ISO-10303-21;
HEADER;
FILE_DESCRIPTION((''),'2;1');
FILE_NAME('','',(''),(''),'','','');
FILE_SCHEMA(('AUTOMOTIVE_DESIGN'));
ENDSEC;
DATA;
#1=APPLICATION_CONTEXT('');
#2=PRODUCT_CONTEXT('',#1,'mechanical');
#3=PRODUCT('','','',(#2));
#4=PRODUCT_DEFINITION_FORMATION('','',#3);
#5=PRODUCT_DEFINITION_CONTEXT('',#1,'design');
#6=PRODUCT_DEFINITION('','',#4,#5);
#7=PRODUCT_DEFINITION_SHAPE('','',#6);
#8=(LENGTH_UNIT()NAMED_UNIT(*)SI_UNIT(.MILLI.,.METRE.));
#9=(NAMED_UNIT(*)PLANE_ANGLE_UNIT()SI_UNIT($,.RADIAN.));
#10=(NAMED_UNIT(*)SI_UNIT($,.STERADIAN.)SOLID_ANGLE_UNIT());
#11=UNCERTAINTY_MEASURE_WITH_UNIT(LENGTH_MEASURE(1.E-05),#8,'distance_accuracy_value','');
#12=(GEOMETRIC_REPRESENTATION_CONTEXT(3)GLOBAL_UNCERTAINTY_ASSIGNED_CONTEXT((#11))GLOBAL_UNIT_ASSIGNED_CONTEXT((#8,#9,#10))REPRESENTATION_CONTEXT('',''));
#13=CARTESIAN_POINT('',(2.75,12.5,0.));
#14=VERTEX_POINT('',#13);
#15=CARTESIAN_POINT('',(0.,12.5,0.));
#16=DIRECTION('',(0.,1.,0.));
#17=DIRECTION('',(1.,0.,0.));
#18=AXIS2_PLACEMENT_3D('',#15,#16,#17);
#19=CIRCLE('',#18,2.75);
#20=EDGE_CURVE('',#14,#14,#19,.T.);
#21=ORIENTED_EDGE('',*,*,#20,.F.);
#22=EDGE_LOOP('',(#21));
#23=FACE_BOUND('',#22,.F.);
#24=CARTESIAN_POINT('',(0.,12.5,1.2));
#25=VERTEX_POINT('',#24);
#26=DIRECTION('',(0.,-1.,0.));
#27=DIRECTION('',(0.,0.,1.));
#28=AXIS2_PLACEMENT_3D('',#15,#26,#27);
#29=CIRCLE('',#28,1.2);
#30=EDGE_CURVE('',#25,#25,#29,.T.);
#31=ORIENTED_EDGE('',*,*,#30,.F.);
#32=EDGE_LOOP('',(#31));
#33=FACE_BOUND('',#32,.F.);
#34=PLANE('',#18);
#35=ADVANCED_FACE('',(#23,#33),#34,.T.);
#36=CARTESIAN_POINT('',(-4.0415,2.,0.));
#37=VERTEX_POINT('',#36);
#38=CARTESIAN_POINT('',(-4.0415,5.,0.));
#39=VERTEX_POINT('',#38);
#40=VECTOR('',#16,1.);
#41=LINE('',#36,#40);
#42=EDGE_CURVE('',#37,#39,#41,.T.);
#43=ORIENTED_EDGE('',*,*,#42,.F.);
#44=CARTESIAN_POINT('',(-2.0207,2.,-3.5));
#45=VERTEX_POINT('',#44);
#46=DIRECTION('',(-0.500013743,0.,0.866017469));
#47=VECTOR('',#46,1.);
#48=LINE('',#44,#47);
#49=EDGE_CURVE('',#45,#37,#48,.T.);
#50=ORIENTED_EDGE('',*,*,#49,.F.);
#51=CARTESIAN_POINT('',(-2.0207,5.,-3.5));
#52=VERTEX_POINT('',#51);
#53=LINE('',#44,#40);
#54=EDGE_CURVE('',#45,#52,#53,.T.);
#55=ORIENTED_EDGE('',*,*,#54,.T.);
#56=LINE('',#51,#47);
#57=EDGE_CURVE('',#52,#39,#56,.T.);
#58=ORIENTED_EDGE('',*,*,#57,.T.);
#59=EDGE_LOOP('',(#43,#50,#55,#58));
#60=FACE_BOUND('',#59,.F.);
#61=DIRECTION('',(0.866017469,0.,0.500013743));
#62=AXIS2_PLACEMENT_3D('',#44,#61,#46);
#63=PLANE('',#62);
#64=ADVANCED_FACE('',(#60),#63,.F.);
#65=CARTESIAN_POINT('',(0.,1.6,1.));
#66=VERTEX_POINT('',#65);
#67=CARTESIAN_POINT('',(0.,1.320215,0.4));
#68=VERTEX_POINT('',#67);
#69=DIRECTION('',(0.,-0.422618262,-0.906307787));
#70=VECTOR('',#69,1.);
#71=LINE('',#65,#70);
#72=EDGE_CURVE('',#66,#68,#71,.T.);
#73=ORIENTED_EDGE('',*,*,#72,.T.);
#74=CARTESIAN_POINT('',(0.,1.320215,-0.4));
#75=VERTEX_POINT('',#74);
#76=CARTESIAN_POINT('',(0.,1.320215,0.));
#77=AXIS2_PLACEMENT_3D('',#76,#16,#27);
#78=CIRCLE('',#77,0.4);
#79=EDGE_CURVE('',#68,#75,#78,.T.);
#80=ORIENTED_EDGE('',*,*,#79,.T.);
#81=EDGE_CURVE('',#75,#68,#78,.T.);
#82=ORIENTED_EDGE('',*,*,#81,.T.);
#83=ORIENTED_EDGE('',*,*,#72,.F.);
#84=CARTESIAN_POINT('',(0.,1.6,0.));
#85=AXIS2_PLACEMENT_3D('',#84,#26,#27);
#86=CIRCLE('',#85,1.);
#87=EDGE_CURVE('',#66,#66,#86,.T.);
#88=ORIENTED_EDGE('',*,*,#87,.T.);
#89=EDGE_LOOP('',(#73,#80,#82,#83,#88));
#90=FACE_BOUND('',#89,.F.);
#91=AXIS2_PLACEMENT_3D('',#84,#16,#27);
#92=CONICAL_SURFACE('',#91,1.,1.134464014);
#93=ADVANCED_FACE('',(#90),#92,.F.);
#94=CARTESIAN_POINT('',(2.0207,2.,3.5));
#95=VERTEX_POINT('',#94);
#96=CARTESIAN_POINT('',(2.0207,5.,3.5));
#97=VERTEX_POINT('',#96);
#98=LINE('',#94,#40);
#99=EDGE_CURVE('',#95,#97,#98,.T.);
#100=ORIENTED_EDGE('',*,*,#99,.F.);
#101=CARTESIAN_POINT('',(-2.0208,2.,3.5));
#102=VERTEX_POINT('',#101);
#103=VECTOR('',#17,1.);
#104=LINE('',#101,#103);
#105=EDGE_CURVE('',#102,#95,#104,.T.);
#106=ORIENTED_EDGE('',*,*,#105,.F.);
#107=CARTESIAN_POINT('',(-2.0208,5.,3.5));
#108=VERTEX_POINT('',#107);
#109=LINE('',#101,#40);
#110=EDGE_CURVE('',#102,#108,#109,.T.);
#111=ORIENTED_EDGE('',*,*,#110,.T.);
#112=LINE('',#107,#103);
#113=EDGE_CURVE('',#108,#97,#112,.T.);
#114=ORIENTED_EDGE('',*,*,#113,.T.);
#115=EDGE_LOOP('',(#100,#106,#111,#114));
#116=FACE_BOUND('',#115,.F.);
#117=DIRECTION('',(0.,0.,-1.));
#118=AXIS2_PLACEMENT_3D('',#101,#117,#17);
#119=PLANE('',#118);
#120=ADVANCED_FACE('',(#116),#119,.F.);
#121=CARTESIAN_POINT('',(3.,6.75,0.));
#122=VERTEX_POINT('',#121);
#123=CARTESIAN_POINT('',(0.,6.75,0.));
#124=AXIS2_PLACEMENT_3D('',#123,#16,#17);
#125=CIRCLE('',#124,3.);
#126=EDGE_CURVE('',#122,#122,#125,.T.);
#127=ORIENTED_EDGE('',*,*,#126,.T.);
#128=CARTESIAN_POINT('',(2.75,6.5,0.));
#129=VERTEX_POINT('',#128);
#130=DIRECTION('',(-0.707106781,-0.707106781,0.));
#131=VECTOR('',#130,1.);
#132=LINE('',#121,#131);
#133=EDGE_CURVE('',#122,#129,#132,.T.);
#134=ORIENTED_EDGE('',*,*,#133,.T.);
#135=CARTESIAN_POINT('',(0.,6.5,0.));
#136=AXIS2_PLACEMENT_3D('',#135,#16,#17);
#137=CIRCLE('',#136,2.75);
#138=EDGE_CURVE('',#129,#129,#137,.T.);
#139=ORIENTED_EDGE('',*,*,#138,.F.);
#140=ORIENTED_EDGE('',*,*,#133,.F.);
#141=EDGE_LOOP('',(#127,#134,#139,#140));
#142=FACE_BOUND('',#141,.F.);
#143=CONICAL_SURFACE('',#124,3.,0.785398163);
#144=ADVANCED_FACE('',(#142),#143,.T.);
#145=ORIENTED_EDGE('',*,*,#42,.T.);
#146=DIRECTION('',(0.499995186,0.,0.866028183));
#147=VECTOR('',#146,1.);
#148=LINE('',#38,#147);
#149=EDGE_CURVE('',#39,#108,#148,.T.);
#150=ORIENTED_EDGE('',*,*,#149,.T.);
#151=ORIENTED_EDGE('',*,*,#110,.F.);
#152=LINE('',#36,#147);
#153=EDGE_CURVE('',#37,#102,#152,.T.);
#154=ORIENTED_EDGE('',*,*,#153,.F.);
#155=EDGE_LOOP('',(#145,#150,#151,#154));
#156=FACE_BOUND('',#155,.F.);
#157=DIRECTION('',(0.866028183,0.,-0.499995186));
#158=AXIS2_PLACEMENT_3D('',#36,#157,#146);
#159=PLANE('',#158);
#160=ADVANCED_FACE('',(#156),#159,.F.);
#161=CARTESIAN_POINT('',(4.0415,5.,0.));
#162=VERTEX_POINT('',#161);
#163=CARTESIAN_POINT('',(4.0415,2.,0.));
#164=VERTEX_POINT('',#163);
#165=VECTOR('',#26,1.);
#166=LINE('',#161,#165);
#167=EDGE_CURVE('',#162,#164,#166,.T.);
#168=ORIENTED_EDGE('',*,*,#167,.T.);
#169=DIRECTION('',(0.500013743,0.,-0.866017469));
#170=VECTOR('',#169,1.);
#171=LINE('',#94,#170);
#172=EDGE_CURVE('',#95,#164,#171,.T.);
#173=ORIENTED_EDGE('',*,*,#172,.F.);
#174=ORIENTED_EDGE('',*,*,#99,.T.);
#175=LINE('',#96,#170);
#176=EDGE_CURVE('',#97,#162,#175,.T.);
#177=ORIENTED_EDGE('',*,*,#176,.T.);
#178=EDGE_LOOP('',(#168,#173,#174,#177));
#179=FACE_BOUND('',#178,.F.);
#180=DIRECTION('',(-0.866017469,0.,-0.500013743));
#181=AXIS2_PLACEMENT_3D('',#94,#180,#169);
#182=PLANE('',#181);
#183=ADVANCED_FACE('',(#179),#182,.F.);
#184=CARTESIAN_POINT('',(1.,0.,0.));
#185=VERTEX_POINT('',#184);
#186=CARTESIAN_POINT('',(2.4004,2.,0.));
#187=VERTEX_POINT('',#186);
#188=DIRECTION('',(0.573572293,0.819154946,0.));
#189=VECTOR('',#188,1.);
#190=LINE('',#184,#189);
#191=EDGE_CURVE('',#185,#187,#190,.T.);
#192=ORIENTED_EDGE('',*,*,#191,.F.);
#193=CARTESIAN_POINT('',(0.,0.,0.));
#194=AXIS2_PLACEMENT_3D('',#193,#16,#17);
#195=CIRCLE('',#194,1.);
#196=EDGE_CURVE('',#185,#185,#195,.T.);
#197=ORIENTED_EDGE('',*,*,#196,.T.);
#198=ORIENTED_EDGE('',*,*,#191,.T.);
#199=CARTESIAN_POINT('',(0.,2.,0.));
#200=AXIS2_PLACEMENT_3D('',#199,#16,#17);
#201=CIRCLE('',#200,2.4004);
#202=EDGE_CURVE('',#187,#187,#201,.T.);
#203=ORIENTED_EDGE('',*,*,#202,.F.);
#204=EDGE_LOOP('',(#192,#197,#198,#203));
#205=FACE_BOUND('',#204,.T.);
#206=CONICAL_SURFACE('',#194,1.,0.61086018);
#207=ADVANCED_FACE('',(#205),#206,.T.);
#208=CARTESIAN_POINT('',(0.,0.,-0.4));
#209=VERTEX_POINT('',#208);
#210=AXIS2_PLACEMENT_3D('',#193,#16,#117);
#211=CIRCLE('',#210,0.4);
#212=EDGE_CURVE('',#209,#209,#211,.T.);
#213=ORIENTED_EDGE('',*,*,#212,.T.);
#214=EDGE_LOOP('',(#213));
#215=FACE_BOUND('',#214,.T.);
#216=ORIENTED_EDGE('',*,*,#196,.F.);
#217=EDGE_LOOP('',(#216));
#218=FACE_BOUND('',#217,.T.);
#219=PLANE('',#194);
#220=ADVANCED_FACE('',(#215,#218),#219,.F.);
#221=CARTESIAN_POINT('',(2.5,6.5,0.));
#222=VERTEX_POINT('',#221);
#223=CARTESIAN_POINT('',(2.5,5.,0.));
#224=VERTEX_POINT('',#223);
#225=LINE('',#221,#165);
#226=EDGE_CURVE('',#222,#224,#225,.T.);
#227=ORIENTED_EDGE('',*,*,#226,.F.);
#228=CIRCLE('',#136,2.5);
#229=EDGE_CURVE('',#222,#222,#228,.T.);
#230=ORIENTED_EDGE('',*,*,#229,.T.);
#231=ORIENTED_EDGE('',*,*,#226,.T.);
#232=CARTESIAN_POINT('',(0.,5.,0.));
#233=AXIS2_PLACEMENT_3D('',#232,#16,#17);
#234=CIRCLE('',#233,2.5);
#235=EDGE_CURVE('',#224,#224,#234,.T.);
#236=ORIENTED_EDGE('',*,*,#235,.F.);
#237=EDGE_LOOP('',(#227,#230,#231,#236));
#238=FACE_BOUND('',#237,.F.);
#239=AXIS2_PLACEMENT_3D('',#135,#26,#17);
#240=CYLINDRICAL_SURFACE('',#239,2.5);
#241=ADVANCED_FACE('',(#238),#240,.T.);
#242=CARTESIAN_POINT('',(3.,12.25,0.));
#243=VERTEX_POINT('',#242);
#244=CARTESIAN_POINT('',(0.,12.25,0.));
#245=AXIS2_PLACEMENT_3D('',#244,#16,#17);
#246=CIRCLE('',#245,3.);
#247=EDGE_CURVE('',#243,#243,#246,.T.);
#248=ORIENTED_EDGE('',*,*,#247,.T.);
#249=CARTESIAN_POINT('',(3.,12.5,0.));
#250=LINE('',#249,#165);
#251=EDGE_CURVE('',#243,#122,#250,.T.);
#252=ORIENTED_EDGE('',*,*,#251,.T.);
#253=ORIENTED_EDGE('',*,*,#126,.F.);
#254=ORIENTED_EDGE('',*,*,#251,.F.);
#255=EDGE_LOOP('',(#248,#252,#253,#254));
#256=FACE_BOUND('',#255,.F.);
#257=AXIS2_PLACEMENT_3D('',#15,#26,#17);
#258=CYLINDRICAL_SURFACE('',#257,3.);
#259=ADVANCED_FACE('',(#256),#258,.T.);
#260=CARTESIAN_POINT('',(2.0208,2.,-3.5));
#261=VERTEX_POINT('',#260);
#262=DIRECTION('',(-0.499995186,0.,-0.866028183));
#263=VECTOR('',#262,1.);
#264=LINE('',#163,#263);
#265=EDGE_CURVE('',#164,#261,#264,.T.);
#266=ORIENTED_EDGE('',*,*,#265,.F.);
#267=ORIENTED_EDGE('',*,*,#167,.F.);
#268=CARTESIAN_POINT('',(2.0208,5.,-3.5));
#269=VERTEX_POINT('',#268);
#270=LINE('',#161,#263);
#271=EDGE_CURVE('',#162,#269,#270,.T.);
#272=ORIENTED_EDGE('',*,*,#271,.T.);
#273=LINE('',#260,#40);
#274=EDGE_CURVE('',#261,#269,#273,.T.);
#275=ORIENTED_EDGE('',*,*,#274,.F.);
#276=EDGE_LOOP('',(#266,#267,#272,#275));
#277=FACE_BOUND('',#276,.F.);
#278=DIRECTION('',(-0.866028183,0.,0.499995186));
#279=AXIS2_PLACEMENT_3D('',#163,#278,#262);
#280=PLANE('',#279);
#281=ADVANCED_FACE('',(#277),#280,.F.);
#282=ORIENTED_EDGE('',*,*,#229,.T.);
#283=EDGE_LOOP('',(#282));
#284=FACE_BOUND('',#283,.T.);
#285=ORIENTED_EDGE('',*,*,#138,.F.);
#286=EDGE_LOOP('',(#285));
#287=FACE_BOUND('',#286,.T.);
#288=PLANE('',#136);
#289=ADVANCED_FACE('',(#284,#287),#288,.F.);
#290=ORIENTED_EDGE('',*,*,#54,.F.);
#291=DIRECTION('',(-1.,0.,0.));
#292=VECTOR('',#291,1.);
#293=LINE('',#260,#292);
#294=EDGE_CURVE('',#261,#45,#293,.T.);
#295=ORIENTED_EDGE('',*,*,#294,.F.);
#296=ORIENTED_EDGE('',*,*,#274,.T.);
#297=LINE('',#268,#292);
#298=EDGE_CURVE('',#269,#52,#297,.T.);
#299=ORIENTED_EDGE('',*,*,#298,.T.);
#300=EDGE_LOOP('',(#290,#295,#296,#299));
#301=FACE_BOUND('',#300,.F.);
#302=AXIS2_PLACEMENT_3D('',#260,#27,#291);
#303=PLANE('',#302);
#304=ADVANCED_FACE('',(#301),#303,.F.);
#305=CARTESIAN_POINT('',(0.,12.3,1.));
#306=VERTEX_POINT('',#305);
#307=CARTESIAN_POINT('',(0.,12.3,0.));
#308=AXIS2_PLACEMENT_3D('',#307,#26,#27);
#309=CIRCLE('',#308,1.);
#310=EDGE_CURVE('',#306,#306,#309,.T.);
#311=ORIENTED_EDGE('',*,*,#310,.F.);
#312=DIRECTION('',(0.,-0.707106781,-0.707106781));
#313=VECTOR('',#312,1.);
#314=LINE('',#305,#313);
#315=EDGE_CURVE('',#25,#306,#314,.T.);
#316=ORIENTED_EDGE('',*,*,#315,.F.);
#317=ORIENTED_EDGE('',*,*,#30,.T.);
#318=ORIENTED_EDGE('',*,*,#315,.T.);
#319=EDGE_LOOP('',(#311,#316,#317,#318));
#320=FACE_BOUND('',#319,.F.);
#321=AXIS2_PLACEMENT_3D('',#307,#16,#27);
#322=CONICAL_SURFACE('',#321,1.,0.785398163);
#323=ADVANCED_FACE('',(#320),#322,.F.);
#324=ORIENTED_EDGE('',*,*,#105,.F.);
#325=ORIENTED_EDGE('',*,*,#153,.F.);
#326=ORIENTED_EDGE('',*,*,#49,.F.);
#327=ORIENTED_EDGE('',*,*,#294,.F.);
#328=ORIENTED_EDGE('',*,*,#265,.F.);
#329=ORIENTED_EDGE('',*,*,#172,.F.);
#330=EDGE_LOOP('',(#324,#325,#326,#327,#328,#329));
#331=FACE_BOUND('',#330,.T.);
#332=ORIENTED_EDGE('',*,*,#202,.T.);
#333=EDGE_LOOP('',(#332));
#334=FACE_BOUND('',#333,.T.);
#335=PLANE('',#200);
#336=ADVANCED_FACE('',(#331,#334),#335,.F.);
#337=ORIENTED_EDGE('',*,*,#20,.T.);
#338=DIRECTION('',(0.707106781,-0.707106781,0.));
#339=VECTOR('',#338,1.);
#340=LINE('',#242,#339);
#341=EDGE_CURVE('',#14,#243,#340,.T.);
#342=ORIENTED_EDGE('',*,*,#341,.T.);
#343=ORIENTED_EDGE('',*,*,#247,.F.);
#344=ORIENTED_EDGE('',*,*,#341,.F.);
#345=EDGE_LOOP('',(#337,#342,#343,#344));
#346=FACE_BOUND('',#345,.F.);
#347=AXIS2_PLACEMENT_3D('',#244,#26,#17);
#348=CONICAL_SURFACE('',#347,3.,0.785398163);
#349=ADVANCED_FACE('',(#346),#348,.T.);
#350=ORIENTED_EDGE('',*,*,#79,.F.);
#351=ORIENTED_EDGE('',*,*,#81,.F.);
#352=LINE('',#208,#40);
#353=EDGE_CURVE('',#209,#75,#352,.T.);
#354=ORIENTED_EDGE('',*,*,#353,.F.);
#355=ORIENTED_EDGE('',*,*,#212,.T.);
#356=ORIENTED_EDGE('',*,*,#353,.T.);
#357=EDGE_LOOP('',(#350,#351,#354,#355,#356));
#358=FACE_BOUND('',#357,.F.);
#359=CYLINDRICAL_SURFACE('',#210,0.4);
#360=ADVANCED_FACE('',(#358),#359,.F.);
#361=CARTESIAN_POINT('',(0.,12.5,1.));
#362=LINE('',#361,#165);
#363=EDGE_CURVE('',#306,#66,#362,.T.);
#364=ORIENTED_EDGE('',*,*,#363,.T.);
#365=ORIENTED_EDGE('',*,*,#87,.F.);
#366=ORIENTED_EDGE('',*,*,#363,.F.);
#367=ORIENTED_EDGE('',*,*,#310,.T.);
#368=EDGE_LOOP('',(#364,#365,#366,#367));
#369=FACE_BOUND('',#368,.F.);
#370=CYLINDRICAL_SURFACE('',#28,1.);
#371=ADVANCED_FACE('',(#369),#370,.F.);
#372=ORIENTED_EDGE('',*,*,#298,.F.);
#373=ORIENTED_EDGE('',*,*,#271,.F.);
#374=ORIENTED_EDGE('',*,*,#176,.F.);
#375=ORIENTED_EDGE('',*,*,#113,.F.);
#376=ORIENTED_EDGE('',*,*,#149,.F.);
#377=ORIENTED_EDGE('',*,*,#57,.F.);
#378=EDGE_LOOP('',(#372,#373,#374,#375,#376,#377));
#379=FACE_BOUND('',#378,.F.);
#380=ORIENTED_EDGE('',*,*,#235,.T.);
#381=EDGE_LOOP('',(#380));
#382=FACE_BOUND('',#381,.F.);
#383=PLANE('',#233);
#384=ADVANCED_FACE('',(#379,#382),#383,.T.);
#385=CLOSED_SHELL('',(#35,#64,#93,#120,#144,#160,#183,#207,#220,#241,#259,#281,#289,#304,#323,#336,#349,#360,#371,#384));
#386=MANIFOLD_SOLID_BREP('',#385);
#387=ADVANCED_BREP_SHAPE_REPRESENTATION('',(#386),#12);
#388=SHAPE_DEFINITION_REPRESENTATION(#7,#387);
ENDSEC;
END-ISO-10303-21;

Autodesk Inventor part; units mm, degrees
ref_plane "YZ Plane" through (0, 0, 0) normal (1, 0, 0) x (0, 1, 0)
ref_plane "XZ Plane" through (0, 0, 0) normal (0, 1, 0) x (-1, 0, 0)
ref_plane "XY Plane" through (0, 0, 0) normal (0, 0, 1) x (1, 0, 0)
sketch "Эскиз1" plane through (0, 0, 0) normal (0, 0, 1) x (1, 0, 0)
  line L0 (0, 0) -> (0, 15)
  line L1 (0, 12.5) -> (3, 12.5)
  line L2 (2.4004, 2) -> (4.0415, 2)
  line L3 (2.5, 5) -> (4.0415, 5)
  line L4 (2.5, 6.5) -> (3, 6.5)
  line L5 (0, 0) -> (1, 0)
  line L6 (2.5, 6.5) -> (2.5, 5)
  line L7 (3, 12.5) -> (3, 6.5)
  line L8 (1, 0) -> (2.4004, 2)
  line L9 (4.0415, 5) -> (4.0415, 2)
  line L10 (0, 12.5) -> (0, 0)
  dimension "d0" = 15
  dimension "d1" = 12.5
  dimension "d2" = 10.5
  dimension "d3" = 7.5
  dimension "d4" = 6
  dimension "d6" = 5
  dimension "d7" = 6
  dimension "d8" = 125
  dimension "d11" = 8.083
  dimension "d44" = 2
revolve "Вращение1" add sketch "Эскиз1" angle 360 about axis through (0, 0, 0) along (0, 1, 0)
chamfer "Фаска1" distance 0.25 angle 45 2 edges at (-3, 12.5, 0) (-3, 6.5, 0)
thread "Резьба1" size "M6x1" class "6g" standard "ANSI Metric M Profile" full length
sketch "Эскиз2" plane through (0, 12.5, 0) normal (0, 1, 0) x (1, 0, 0)
  point P0 (0, 0)
  point P1 (0, 0)
sketch "Эскиз3" plane through (0, 0, 0) normal (0, -1, 0) x (1, 0, 0)
  point P0 (0, 0)
  point P1 (0, 0)
hole "Отверстие2" at (0, 12.5, 0) direction (0, -1, 0) diameter 2 depth 10.9 tip angle 130
chamfer "Фаска2" distance 0.2 angle 45 1 edges at (0, 12.5, -1)
hole "Отверстие3" at (0, 0, 0) direction (0, 1, 0) diameter 0.8 depth 1.6
sketch "Эскиз4" plane through (0, 2, 0) normal (0, -1, 0) x (1, 0, 0)
  circle A0 centre (0, 0) radius 0.4 projected
  circle A1 centre (0, 0) radius 4.0415 projected
  line L0 (4.0415, 0) -> (2.0208, -3.5)
  line L1 (2.0208, -3.5) -> (-2.0207, -3.5)
  line L2 (-2.0207, -3.5) -> (-4.0415, 0)
  line L3 (-4.0415, 0) -> (-2.0208, 3.5)
  line L4 (-2.0208, 3.5) -> (2.0207, 3.5)
  line L5 (2.0207, 3.5) -> (4.0415, 0)
extrude "Выдавливание1" cut sketch "Эскиз4" against normal blind 3 contours L5 A1 | A1 L0 | L4 A1 | A1 L1 | L3 A1 | A1 L2
properties part number "nozzle-0,8"
